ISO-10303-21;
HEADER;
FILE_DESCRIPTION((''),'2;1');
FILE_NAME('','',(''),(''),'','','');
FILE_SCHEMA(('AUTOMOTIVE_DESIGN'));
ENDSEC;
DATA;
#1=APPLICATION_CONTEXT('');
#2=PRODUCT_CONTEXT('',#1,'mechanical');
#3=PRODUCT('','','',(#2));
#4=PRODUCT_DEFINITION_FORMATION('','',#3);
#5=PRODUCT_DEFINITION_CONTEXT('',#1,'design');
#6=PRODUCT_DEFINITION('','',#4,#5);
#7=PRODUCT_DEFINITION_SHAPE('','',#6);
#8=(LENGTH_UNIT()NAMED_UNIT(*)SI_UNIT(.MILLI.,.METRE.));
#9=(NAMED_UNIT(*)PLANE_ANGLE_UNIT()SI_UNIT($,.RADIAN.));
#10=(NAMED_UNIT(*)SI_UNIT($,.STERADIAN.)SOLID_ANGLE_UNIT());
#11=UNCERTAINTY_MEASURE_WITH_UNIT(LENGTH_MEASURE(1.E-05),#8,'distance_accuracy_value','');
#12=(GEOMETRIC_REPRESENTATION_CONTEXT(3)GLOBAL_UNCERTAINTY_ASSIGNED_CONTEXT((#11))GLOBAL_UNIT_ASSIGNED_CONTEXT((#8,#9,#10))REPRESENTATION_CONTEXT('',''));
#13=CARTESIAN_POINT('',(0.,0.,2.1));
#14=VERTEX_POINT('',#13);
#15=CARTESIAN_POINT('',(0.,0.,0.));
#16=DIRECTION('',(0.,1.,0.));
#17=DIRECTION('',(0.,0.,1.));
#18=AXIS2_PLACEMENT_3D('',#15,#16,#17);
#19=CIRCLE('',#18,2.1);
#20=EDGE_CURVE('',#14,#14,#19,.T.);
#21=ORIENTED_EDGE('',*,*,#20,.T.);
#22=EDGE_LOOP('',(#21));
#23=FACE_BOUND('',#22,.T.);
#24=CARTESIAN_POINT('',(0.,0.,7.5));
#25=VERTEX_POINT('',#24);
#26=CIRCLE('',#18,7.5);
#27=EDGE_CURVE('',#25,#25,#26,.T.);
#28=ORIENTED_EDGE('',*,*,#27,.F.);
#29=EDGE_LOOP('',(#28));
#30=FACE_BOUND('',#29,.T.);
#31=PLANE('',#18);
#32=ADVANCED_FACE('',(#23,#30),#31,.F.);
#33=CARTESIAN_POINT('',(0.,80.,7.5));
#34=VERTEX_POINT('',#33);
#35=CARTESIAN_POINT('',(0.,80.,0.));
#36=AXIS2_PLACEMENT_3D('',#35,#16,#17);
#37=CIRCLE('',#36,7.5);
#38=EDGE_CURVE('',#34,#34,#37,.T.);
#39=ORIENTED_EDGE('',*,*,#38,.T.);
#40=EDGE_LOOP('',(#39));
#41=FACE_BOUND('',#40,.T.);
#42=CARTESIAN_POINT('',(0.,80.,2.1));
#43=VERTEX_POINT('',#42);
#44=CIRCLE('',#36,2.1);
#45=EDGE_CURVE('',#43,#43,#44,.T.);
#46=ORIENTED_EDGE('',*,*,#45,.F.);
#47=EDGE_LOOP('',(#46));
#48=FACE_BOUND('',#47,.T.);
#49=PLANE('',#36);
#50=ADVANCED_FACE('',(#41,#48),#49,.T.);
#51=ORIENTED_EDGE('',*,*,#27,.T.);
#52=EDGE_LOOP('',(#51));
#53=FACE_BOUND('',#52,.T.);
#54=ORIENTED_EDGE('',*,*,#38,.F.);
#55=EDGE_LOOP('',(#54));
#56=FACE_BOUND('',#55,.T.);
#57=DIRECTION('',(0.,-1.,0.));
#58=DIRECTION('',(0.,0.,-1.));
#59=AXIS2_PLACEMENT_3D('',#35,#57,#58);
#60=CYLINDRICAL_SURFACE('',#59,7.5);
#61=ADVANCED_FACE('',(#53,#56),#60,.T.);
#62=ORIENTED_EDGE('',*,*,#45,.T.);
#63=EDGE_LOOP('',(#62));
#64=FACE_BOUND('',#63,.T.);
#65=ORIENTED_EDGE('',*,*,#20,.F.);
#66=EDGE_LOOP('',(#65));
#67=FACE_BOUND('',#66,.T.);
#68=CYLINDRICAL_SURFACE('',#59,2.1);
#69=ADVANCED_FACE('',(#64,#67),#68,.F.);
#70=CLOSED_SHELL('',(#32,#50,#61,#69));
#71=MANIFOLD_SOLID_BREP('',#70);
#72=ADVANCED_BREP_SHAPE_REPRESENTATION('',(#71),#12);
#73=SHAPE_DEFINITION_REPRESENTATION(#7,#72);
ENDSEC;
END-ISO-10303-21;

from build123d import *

# Parameters (mm, degrees)
SKETCH1_R           = 7.5
SKETCH1_R_2         = 2.1
BOSS_EXTRUDE1_DEPTH = 80


with BuildPart() as part:
    # Sketch1 → Boss-Extrude1 (new body)
    with BuildSketch(Plane(origin=(0, 0, 0), x_dir=(1, 0, 0), z_dir=(0, 1, 0))):
        with Locations(Location((0, 0, 0), (0, 0, 270))):
            Circle(SKETCH1_R)
        with Locations(Location((0, 0, 0), (0, 0, 270))):
            Circle(SKETCH1_R_2, mode=Mode.SUBTRACT)
    extrude(amount=BOSS_EXTRUDE1_DEPTH)


solid = part.part
